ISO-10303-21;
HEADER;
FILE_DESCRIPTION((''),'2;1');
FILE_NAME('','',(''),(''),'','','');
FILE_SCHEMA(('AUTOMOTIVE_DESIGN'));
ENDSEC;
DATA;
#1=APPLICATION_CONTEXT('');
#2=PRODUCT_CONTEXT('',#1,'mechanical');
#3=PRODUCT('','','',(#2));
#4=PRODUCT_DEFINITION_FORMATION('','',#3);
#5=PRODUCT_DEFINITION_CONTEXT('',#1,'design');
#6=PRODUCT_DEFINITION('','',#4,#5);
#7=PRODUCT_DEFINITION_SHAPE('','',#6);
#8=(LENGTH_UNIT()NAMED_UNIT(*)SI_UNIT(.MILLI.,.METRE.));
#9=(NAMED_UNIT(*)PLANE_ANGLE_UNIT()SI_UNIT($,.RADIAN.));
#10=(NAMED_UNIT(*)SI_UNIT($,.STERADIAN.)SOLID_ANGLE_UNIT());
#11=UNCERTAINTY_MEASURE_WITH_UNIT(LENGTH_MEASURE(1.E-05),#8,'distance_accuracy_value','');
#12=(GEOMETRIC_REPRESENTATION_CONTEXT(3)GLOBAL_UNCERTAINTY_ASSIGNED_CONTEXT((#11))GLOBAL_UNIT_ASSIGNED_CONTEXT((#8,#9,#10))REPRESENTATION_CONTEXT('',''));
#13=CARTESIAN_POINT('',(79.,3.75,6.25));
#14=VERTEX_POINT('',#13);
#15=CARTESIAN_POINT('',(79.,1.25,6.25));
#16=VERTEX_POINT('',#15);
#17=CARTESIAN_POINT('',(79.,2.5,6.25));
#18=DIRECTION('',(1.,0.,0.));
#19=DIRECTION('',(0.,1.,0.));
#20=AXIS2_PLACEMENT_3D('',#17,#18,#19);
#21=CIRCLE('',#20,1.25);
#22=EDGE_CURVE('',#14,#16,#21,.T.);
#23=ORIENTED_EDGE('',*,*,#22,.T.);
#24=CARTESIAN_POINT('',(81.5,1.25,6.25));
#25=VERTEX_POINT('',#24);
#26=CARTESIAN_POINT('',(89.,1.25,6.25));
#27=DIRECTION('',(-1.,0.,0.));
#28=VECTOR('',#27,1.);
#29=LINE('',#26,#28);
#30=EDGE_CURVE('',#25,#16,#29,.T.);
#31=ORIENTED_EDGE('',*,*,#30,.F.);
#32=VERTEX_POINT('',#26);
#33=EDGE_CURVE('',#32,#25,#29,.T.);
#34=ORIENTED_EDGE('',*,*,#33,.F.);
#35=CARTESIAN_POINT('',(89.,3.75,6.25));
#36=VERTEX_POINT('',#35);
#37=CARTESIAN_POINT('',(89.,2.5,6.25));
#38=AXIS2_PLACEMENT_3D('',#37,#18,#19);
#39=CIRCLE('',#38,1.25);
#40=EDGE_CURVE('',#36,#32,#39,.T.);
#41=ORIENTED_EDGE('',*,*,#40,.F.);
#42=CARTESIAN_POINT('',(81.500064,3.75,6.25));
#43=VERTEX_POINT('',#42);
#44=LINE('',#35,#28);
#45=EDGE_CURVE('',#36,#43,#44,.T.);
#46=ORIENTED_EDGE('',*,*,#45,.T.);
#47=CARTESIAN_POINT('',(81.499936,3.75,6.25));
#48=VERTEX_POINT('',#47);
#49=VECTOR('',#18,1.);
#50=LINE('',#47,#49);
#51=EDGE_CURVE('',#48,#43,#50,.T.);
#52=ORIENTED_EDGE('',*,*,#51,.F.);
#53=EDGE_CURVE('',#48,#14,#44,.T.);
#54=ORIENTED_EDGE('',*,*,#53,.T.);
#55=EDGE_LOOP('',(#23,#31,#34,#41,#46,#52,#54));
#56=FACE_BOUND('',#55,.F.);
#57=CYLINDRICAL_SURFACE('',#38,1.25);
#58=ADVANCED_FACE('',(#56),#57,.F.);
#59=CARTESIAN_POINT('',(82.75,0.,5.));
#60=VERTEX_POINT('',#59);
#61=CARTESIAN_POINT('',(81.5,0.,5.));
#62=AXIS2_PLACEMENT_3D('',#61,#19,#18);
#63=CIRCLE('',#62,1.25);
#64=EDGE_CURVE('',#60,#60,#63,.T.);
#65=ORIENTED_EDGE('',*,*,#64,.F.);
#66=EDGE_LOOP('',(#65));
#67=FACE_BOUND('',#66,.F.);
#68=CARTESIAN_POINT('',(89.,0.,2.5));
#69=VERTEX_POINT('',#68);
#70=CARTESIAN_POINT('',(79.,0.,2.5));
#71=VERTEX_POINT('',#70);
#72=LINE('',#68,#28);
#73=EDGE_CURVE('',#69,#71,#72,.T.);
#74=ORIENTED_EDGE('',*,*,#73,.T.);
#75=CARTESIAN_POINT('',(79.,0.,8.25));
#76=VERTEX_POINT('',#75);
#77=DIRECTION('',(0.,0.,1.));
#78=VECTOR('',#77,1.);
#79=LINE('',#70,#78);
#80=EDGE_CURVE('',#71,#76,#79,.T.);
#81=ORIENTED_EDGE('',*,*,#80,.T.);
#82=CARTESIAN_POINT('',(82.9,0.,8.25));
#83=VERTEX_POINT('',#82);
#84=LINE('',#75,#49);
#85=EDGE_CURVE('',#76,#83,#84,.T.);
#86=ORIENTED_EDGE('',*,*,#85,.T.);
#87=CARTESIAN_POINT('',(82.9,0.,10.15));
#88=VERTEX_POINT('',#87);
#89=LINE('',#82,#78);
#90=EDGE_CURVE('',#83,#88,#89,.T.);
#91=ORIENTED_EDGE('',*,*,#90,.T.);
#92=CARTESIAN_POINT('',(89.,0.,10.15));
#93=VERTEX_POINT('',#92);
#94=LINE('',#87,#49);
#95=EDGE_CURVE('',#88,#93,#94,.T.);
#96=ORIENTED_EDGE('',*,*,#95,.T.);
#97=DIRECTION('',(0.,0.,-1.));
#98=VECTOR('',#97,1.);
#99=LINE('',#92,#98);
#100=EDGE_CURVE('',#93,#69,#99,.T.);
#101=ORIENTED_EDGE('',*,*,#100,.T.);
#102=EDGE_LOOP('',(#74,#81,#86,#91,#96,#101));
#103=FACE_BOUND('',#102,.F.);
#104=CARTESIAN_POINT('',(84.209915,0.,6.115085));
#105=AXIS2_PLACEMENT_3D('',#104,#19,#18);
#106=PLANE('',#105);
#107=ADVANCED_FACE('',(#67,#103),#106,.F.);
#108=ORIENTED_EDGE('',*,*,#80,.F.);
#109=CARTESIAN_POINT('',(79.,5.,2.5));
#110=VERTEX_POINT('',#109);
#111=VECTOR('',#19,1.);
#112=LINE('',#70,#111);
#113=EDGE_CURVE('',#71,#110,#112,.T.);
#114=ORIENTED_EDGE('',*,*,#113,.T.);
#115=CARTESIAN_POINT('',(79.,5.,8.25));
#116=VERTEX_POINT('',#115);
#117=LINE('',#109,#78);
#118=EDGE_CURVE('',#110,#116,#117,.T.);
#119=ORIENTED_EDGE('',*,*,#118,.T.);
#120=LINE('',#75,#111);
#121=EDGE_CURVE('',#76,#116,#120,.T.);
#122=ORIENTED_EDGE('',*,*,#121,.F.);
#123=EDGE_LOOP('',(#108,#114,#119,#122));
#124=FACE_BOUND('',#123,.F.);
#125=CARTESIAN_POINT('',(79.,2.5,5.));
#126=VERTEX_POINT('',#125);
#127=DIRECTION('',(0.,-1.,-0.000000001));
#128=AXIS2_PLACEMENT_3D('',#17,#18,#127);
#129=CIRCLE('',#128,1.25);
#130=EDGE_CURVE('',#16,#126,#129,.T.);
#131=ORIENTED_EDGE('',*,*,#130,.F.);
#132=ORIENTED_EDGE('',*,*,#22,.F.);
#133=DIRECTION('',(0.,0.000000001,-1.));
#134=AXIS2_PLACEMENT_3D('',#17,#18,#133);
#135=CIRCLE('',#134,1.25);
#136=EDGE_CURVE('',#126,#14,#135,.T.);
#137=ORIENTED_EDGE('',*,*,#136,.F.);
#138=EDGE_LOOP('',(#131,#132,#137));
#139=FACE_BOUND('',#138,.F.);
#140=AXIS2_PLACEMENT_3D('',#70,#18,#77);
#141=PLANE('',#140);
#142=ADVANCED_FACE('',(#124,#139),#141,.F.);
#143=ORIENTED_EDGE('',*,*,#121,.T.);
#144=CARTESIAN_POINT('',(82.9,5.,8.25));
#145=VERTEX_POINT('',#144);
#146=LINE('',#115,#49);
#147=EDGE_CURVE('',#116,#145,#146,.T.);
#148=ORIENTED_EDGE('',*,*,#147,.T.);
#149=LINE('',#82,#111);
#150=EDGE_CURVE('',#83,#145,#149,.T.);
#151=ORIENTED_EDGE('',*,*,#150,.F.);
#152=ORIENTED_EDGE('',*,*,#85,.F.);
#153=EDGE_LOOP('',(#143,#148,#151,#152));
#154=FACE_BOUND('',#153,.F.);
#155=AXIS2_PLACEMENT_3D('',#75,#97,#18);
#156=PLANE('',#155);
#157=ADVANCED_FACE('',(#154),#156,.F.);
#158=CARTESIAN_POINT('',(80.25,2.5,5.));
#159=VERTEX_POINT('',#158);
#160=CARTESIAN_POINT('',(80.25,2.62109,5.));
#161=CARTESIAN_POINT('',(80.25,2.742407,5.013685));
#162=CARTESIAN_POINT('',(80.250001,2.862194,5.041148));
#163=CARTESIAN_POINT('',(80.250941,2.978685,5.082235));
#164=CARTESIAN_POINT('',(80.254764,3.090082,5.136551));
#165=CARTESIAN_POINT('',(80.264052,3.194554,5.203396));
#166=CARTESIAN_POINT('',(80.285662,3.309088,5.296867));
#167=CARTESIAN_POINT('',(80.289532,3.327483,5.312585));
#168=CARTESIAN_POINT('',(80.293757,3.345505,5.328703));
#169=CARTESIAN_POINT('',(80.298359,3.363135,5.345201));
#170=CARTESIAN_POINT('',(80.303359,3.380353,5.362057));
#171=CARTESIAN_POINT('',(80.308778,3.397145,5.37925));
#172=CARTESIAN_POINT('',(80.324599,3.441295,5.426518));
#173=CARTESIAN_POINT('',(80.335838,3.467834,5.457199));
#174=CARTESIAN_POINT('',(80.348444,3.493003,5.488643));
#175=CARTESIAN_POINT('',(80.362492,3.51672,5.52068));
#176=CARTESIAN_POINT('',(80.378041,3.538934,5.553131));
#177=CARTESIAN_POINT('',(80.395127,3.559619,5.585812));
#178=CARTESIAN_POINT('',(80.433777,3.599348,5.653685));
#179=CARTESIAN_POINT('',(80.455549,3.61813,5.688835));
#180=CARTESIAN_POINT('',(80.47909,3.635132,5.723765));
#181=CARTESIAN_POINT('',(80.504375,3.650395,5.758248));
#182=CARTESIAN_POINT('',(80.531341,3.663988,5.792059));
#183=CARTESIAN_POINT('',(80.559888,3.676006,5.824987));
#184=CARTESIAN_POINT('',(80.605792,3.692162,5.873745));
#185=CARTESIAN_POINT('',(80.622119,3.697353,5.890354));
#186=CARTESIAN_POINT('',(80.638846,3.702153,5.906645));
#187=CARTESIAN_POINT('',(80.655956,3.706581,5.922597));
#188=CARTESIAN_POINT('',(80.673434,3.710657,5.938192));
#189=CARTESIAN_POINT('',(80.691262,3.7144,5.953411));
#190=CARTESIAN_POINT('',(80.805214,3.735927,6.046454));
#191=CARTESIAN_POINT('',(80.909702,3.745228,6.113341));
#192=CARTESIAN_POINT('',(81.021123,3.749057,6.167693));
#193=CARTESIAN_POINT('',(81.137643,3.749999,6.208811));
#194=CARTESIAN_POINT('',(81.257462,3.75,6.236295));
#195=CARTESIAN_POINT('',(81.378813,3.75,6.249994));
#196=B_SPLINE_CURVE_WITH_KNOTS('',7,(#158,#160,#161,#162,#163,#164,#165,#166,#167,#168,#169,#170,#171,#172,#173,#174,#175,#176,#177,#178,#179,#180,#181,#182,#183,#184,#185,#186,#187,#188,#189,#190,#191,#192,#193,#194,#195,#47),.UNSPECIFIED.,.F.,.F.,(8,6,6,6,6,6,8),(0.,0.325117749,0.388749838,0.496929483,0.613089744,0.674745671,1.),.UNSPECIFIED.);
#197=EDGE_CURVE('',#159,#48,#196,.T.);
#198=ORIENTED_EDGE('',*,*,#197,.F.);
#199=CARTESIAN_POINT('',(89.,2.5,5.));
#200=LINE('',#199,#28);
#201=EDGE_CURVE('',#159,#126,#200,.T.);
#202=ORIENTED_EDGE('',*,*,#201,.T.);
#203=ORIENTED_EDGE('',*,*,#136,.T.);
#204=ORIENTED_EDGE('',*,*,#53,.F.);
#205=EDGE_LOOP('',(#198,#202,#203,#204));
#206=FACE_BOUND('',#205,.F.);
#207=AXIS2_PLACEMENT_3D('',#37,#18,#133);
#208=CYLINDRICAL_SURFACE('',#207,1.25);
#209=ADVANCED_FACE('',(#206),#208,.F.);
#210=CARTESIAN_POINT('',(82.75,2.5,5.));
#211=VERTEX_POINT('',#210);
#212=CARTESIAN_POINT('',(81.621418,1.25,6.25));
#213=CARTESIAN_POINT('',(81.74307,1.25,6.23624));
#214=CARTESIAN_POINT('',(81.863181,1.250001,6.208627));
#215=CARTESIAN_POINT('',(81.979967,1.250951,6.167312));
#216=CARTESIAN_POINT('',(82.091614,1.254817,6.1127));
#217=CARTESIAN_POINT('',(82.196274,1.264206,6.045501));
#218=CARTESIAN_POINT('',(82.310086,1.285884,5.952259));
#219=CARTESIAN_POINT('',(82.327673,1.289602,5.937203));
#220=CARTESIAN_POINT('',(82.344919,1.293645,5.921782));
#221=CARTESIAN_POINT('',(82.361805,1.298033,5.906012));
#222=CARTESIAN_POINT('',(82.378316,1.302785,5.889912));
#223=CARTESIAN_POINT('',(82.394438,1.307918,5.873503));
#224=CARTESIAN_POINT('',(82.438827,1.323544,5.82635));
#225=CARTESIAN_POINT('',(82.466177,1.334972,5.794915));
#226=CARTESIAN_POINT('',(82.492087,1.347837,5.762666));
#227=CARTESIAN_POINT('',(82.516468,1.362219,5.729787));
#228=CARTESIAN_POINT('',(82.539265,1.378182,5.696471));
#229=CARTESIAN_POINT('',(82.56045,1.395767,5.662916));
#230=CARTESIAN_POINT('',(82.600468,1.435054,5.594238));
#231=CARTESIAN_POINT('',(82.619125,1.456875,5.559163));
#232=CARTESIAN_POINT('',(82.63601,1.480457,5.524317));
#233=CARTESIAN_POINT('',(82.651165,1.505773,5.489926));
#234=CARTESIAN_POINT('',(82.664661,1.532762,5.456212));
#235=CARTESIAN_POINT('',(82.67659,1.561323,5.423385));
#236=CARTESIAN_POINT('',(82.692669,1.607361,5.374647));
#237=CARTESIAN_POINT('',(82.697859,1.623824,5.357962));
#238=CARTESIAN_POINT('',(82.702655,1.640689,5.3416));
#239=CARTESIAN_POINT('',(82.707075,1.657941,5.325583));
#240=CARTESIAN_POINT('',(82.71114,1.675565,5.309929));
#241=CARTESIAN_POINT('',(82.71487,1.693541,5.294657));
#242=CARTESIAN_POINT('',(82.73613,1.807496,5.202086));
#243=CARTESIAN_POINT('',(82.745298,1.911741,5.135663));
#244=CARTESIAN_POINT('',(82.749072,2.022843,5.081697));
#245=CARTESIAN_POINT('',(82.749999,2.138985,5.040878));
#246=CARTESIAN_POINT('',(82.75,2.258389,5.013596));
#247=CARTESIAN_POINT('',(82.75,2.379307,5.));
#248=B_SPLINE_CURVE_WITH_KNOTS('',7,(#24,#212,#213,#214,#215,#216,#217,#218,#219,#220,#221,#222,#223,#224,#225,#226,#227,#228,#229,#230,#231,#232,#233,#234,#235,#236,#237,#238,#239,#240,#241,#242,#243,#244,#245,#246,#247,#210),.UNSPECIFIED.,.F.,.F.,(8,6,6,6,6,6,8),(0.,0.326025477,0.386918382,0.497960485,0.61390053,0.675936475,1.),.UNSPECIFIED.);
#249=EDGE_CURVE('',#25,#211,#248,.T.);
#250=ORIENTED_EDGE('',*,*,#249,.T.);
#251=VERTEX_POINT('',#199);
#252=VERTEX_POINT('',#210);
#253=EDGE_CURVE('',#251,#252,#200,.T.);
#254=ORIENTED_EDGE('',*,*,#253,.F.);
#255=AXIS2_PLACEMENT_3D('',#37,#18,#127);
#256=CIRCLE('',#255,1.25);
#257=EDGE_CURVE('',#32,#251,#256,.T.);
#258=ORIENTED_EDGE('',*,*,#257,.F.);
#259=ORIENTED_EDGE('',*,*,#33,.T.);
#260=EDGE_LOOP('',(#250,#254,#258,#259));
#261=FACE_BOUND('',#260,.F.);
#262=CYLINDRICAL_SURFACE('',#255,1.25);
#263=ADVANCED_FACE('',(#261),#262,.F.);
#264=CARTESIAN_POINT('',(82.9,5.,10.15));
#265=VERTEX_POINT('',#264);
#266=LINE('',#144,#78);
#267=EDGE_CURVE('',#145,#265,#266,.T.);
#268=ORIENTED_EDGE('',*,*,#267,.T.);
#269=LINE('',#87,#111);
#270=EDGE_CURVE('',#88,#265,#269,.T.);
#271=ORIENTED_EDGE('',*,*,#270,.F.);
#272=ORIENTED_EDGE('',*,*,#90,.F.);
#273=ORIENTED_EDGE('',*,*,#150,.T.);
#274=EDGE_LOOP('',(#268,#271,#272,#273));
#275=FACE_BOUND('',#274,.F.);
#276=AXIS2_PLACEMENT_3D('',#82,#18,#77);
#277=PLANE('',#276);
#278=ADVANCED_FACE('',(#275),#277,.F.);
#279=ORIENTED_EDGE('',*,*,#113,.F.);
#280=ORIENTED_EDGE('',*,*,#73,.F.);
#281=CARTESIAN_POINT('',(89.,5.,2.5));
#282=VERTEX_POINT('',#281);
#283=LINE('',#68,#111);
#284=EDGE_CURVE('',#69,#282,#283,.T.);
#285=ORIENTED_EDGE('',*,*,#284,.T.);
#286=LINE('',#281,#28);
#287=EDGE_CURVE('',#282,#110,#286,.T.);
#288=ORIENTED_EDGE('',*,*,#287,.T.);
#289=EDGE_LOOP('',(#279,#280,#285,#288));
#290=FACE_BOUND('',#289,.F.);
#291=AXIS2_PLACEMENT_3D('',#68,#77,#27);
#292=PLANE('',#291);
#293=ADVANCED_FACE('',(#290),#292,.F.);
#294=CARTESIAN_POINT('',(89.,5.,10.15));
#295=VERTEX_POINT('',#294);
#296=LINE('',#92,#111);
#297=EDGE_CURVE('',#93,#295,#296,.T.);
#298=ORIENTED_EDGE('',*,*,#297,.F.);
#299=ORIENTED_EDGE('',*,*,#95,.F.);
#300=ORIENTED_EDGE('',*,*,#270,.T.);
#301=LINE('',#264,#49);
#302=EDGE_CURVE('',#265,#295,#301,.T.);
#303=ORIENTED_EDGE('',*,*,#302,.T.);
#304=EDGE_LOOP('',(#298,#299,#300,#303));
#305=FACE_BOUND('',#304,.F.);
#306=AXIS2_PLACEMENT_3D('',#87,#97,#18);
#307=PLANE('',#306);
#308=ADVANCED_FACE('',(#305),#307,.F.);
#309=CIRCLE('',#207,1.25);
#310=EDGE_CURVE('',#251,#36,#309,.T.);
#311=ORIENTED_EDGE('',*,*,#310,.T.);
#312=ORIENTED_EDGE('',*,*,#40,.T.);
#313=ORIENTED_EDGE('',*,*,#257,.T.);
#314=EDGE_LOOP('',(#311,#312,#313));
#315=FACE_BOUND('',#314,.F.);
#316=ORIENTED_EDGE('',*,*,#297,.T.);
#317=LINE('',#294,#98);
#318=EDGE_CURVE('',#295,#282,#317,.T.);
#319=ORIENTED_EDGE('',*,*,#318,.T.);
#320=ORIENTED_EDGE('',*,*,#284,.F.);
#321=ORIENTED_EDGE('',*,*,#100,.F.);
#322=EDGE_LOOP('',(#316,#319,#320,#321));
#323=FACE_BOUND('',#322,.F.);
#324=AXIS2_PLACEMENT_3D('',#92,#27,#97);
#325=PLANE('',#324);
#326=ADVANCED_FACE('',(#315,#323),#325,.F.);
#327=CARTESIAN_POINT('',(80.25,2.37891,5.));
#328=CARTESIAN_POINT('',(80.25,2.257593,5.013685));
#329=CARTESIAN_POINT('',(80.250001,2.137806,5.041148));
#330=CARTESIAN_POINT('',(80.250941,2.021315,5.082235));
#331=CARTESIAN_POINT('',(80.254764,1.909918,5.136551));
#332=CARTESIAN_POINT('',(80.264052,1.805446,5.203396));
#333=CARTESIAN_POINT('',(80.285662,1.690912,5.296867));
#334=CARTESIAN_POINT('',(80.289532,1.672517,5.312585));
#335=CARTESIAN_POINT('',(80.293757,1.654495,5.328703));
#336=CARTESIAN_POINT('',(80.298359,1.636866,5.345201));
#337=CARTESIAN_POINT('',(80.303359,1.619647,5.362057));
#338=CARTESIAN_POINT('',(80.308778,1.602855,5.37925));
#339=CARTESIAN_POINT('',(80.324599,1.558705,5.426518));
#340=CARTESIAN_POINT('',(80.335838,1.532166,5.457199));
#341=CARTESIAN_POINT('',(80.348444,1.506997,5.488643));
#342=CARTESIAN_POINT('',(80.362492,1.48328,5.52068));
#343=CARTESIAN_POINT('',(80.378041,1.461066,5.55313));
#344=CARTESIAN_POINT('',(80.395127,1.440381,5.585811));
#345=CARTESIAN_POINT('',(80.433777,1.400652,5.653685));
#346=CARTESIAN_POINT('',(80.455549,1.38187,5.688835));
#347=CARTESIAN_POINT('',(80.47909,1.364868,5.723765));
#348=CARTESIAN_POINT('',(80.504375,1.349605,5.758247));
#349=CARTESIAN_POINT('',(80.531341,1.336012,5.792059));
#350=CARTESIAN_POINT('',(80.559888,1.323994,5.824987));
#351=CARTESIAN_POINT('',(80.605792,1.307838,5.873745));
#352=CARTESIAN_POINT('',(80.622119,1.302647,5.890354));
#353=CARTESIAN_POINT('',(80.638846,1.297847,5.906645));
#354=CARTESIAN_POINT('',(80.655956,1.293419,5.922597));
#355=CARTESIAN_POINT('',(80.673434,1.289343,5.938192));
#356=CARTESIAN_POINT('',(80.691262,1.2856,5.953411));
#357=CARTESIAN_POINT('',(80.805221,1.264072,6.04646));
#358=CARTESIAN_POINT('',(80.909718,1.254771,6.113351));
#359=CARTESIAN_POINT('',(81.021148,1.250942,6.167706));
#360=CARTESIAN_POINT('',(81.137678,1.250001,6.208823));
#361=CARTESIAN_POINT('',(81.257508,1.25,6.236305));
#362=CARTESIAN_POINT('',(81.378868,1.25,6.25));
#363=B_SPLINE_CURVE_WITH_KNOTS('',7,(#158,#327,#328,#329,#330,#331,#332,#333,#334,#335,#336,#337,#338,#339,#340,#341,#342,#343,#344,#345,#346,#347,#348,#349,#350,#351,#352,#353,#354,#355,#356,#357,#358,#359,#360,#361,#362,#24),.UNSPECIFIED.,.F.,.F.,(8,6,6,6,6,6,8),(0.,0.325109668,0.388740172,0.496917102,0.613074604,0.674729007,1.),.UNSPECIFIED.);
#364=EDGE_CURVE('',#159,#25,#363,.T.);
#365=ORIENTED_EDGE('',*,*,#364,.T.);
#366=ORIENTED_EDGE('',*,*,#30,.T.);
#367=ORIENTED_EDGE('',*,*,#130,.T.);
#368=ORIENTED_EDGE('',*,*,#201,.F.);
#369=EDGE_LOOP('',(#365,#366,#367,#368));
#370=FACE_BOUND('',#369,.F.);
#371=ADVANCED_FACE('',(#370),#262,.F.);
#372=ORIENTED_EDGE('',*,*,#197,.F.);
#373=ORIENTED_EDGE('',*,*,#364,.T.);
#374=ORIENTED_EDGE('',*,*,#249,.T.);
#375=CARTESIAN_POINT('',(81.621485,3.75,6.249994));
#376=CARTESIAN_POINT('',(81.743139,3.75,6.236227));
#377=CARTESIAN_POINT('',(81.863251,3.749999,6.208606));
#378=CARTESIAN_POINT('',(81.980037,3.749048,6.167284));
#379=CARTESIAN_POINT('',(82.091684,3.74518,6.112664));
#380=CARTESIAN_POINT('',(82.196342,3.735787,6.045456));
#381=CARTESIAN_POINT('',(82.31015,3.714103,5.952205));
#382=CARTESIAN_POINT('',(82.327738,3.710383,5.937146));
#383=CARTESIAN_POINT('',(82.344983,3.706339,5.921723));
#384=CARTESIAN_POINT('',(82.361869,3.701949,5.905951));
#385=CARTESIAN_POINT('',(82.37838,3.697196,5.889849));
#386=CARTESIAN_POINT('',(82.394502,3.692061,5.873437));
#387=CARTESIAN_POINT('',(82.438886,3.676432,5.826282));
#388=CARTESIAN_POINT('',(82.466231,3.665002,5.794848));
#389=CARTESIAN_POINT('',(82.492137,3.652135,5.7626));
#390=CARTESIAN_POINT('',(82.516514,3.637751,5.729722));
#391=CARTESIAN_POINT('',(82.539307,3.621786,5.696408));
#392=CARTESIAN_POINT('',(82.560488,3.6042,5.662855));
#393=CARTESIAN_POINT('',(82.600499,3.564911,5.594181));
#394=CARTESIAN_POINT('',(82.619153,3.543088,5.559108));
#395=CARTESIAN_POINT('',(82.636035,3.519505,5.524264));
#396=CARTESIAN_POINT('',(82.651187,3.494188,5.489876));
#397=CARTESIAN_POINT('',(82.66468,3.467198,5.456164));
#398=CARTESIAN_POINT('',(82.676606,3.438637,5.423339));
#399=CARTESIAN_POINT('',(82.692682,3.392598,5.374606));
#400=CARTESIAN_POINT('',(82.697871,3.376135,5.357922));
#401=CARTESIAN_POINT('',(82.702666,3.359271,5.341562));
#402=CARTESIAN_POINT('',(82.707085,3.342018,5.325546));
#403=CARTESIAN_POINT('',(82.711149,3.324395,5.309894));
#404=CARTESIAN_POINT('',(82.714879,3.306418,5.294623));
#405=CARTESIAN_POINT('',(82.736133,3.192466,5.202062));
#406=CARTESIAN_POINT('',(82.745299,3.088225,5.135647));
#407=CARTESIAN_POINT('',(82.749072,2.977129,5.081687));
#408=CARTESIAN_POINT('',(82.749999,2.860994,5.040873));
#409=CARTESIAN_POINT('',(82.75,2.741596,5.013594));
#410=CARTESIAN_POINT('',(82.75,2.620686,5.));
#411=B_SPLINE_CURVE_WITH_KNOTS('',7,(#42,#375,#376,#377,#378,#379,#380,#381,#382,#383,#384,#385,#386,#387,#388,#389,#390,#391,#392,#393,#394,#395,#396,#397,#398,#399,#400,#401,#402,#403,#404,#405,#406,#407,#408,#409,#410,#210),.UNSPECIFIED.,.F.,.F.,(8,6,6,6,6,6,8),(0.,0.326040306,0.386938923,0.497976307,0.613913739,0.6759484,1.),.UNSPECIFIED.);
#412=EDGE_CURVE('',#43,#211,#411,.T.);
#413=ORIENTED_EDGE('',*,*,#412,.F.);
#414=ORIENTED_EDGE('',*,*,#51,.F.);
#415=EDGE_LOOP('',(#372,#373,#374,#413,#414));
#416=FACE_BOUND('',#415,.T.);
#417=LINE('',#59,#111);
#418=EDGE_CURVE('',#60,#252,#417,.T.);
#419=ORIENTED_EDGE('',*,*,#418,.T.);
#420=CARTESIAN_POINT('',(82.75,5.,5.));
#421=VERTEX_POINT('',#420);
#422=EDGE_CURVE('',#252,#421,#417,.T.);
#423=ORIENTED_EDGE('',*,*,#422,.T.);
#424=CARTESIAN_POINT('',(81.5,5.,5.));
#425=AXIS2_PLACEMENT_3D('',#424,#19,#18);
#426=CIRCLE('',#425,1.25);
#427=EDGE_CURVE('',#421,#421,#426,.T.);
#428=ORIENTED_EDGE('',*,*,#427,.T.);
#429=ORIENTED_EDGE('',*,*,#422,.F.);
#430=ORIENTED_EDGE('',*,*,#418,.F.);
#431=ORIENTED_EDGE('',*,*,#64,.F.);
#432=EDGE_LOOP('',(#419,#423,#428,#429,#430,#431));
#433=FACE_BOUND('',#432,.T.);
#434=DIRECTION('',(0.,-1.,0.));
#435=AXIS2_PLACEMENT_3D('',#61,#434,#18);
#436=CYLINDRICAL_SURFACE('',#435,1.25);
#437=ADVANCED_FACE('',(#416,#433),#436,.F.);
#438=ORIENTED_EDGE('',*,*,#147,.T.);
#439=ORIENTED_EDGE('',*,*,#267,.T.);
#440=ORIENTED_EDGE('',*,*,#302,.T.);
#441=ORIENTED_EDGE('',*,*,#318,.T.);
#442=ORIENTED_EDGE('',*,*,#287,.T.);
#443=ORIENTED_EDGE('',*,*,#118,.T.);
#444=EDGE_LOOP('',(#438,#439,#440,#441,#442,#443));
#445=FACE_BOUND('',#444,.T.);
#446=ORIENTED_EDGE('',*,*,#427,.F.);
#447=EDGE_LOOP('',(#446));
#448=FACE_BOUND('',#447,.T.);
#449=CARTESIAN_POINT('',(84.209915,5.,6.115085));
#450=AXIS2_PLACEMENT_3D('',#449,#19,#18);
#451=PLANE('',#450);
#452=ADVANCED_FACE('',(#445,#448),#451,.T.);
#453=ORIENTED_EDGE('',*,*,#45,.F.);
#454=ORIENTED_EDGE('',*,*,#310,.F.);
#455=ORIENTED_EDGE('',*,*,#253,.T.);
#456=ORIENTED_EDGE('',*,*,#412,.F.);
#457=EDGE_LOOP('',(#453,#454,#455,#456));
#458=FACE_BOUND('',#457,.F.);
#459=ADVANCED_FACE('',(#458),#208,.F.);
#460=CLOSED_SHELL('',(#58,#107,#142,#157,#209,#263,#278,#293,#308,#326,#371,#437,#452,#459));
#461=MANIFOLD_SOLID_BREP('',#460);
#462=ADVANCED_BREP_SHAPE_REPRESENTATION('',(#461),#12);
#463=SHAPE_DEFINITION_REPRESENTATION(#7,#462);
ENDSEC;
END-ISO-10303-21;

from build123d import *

# Parameters (mm, degrees)
SKETCH4_R           = 1.25
BOSS_EXTRUDE1_DEPTH = 5
CUT_EXTRUDE1_DEPTH  = 10


with BuildPart() as part:
    # Sketch4 → Boss-Extrude1 (new body)
    with BuildSketch(Plane(origin=(0, 0, 0), x_dir=(1, 0, 0), z_dir=(0, 1, 0))):
        Polygon((79, -2.5), (79, -5), (79, -7.5), (79, -8.25), (82.9, -8.25), (82.9, -10.15), (89, -10.15), (89, -2.5), align=None)
        with Locations((81.5, -5)):
            Circle(SKETCH4_R, mode=Mode.SUBTRACT)
    extrude(amount=BOSS_EXTRUDE1_DEPTH)

    # Sketch5 → Cut-Extrude1 (cut)
    with BuildSketch(Plane(origin=(89, 0, 0), x_dir=(0, 0, -1), z_dir=(1, 0, 0))):
        with BuildLine():
            ThreePointArc((-5, 2.5), (-5.366116524, 3.383883476), (-6.25, 3.75))
            Line((-6.25, 3.75), (-6.25, 1.25))
            ThreePointArc((-6.25, 1.25), (-5.366116524, 1.616116524), (-5, 2.5))
        make_face()
        with BuildLine():
            Line((-6.25, 1.25), (-6.25, 3.75))
            ThreePointArc((-6.25, 3.75), (-7.5, 2.5), (-6.25, 1.25))
        make_face()
    extrude(amount=-CUT_EXTRUDE1_DEPTH, mode=Mode.SUBTRACT)


solid = part.part
